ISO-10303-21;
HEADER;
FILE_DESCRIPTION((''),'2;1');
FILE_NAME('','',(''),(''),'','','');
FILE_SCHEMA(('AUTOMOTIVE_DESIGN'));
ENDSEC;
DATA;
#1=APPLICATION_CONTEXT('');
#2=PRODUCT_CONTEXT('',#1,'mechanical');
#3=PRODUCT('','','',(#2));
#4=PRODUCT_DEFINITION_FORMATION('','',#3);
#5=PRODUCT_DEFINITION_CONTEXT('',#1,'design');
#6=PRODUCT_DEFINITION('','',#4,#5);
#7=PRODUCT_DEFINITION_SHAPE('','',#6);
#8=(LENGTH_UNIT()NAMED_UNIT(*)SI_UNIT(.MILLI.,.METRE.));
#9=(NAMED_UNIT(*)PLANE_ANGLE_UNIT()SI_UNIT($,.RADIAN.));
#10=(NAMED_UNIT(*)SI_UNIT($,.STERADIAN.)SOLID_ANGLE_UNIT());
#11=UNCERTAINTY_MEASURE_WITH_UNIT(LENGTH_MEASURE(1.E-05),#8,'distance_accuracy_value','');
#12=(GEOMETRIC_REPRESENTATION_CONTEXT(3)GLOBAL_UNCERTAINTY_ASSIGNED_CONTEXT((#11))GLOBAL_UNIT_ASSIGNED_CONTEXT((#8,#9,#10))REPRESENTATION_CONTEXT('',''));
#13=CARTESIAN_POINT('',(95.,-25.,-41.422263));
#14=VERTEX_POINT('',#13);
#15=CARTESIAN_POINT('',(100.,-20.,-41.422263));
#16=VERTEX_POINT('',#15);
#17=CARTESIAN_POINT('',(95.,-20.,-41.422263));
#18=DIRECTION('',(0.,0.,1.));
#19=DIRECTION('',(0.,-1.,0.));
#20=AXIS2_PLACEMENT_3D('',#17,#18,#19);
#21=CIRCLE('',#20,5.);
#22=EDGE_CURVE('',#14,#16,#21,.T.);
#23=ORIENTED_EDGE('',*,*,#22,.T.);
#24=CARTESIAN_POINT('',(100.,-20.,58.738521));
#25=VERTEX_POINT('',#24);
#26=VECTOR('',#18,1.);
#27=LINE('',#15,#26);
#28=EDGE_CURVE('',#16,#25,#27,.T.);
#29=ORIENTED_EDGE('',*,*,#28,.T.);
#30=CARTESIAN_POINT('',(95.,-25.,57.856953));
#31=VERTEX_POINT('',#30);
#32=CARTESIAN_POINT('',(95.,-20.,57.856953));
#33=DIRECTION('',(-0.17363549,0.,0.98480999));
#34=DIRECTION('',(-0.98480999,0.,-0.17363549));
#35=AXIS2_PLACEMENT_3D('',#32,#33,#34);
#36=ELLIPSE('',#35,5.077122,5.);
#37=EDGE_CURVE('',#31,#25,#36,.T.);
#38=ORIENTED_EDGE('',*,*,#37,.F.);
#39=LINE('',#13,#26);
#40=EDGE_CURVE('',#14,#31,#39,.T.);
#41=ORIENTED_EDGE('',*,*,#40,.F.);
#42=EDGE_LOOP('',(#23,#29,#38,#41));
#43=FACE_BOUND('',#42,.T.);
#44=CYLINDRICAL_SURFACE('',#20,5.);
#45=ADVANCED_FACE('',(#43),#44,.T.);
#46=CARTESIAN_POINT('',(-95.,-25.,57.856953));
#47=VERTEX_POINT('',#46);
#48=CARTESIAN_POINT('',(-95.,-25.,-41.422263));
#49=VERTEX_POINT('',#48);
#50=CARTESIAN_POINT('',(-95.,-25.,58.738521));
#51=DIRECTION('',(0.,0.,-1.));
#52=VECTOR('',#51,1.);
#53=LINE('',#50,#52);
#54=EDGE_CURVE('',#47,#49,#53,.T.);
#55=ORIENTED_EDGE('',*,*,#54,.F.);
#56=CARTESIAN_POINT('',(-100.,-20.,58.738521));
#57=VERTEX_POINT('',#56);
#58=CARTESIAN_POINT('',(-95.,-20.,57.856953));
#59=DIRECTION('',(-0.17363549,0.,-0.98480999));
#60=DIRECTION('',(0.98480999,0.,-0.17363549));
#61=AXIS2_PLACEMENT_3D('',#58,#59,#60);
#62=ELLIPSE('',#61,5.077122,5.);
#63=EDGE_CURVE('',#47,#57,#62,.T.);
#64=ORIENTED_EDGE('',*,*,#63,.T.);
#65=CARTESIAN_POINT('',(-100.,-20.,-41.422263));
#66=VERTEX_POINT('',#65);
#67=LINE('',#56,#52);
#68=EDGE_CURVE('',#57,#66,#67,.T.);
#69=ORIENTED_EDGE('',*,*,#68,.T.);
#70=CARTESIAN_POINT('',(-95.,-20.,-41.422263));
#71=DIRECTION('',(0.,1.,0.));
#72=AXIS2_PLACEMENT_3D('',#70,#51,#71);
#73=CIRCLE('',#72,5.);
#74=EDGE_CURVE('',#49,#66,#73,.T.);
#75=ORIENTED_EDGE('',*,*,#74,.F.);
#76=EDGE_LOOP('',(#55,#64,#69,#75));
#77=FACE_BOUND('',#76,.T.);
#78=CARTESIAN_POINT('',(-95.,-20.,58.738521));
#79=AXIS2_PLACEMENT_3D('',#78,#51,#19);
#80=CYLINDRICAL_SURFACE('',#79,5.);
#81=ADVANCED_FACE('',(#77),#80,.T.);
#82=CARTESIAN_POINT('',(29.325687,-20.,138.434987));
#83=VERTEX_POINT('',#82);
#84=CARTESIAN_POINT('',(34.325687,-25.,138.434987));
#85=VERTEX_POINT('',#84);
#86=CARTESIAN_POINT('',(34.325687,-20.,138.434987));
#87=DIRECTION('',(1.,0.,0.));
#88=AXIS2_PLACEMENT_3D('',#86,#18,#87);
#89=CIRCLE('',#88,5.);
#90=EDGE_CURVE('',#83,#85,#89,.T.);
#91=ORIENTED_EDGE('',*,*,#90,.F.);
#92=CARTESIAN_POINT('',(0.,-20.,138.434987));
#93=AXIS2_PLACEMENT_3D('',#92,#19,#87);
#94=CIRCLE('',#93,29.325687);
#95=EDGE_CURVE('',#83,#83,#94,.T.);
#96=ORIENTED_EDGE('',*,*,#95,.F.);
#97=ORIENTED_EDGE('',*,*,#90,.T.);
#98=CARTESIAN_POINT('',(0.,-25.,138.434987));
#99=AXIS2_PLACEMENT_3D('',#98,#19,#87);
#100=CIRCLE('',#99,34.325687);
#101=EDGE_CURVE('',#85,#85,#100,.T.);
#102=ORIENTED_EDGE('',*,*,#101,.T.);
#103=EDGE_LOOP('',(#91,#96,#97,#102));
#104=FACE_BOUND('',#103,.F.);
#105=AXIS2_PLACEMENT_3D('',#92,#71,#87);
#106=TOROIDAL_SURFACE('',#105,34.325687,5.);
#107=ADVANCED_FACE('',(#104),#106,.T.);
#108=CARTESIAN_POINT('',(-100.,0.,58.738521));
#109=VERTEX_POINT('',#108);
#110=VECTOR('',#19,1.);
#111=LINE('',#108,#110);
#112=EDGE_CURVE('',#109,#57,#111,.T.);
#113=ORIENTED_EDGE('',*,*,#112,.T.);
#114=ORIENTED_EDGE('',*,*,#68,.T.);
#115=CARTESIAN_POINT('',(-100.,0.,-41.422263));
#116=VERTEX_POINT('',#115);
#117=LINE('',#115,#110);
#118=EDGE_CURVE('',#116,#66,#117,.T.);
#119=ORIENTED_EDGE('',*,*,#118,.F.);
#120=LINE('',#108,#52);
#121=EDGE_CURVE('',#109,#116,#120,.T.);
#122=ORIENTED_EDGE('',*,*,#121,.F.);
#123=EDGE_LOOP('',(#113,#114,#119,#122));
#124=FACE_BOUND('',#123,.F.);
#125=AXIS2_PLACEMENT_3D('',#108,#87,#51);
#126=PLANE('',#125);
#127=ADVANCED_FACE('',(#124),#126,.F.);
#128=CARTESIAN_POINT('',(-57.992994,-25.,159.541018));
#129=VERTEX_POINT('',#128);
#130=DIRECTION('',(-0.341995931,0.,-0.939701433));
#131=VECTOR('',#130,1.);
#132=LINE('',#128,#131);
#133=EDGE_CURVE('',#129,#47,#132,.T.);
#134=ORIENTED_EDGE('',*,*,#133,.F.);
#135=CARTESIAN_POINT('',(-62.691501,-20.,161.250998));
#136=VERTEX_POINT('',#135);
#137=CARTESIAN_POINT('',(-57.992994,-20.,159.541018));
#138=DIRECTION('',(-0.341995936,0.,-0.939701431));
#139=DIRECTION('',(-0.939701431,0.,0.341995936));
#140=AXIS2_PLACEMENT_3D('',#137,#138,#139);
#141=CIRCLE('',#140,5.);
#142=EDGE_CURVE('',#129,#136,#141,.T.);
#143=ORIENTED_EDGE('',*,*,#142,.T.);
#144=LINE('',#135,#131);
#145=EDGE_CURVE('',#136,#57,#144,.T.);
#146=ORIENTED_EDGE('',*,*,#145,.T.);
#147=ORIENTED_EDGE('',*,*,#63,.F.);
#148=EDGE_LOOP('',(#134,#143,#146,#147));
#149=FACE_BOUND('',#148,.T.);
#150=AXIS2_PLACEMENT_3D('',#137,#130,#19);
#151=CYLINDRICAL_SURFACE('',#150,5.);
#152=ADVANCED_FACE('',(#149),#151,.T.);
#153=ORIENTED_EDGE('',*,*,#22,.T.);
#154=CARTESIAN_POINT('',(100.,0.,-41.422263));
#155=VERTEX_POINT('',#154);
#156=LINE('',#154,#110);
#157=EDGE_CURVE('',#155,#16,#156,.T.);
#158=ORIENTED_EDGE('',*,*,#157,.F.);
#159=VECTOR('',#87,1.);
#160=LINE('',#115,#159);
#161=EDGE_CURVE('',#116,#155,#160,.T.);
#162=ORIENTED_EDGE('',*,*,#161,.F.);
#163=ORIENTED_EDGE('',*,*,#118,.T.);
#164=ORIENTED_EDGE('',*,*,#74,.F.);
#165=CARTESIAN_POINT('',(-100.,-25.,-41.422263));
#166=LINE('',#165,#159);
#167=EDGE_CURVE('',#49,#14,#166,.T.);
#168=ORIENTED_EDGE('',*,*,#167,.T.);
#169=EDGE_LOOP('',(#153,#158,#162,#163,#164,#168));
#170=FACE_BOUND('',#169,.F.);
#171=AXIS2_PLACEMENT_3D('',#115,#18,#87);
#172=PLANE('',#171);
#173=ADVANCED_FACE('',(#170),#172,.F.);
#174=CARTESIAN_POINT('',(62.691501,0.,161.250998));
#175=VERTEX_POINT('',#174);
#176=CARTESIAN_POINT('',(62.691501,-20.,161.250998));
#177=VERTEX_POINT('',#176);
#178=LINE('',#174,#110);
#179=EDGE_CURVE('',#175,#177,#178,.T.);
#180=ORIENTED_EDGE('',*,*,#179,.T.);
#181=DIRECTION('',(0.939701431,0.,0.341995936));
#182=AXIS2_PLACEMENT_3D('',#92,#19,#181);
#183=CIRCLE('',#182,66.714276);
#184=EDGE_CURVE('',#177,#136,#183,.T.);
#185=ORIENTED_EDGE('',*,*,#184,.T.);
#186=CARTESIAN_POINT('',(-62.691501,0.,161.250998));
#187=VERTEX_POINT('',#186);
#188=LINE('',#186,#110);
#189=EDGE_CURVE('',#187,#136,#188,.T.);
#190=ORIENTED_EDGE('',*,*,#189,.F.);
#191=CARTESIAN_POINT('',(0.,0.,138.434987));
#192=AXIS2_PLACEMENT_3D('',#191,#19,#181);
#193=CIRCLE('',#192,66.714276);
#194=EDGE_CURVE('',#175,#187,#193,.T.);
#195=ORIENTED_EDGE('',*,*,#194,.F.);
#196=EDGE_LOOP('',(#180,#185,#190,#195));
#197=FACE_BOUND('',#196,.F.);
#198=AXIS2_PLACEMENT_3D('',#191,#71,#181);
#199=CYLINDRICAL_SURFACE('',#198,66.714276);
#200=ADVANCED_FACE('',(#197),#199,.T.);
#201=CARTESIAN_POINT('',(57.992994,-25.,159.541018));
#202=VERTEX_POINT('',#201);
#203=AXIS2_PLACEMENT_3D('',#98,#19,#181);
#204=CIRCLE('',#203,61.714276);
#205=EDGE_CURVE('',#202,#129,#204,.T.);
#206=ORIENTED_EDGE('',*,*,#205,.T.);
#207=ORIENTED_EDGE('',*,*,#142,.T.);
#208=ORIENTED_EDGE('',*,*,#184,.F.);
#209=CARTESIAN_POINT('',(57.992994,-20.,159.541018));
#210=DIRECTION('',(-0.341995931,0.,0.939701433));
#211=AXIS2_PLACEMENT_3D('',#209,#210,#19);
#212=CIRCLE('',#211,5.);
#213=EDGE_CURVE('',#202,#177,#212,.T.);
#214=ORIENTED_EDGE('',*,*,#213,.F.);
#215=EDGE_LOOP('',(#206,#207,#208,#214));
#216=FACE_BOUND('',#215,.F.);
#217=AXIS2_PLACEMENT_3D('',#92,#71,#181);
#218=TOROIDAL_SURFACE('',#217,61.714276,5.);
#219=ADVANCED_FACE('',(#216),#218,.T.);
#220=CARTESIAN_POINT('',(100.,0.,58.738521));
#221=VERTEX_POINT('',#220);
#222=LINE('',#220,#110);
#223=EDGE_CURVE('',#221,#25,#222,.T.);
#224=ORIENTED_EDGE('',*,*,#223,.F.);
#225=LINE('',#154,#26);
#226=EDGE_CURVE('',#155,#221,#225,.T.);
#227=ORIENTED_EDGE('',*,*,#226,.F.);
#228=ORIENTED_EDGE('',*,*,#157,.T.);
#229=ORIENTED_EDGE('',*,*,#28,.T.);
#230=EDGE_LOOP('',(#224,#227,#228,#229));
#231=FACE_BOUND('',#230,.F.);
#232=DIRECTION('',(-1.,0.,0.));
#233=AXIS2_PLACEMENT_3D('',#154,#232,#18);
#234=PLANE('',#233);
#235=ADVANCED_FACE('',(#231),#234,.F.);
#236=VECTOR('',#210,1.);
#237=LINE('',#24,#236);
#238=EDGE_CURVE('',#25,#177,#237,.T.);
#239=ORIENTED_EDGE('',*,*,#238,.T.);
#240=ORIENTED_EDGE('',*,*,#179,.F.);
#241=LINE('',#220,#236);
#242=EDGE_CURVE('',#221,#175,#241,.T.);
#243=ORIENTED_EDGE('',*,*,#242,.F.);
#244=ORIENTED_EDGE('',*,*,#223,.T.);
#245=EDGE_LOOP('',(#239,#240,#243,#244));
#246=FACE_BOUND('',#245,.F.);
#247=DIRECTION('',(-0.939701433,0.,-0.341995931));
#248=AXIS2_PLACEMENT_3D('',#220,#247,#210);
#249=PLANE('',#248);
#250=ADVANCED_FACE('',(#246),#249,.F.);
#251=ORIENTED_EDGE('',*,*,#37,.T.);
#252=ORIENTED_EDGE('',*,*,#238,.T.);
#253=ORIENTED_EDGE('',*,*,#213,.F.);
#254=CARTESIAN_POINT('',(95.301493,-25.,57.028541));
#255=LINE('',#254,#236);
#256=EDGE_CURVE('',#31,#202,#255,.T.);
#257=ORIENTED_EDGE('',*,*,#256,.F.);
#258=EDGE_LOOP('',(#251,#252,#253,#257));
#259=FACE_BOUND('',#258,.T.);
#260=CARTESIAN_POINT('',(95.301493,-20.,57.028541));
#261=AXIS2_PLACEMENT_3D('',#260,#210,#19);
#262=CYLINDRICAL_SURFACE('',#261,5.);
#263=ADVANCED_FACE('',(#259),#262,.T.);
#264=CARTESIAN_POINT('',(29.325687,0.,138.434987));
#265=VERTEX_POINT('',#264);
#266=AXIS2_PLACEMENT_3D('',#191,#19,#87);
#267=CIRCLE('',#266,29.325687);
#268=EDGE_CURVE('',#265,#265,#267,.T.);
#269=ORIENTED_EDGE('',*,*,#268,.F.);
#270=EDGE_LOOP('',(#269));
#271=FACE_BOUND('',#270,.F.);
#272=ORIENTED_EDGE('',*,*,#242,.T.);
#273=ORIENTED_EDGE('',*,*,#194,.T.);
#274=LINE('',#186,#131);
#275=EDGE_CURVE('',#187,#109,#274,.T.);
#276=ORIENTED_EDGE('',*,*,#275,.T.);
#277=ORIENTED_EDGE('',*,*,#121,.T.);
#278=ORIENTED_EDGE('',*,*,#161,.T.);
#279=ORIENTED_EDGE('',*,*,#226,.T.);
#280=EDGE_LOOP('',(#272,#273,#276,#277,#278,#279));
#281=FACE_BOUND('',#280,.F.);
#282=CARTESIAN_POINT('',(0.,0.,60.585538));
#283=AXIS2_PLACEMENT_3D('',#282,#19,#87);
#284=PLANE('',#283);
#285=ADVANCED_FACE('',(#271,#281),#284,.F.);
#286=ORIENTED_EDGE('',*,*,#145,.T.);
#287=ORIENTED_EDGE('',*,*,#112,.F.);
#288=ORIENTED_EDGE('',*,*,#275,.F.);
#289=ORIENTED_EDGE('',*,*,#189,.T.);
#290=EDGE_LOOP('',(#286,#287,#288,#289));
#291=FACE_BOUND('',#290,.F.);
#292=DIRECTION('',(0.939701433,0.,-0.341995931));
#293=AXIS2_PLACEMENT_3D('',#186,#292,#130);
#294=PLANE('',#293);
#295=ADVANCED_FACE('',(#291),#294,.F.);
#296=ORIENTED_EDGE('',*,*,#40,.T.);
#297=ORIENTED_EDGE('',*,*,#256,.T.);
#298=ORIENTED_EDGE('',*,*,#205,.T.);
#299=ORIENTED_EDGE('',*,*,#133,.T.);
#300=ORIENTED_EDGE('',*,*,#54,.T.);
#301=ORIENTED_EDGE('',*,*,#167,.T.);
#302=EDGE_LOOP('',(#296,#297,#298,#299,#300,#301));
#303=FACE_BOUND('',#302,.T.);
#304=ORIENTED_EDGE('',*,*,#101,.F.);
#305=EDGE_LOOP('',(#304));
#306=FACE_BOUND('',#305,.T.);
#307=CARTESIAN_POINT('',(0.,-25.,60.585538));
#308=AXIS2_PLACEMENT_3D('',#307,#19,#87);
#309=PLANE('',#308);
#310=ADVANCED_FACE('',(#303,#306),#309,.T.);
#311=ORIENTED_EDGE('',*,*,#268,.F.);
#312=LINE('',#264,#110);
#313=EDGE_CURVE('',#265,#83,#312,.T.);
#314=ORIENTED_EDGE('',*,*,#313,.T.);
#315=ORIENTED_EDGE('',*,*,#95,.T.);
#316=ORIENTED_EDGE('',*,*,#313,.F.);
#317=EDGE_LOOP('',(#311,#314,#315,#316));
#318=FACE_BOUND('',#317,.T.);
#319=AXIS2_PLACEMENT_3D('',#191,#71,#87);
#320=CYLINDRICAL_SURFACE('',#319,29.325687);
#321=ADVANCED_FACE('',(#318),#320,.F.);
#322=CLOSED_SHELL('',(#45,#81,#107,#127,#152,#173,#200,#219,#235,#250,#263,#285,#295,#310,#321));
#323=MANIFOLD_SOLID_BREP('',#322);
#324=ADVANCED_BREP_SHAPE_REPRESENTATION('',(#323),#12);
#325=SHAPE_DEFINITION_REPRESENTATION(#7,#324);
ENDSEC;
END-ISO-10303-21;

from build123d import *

# Parameters (mm, degrees)
F0_R     = 29.325687
F1_DEPTH = 25
F2_R     = 5
F3_R     = 5


with BuildPart() as f1:
    # F0 (on Front) → F1 (new body)
    with BuildSketch(Plane.XZ):
        with BuildLine():
            Line((-100, 58.738521), (-100, -41.422263))
            Line((-100, -41.422263), (100, -41.422263))
            Line((100, -41.422263), (100, 58.738521))
            Line((100, 58.738521), (62.691501, 161.250998))
            ThreePointArc((62.691501, 161.250998), (0, 205.149263), (-62.691501, 161.250998))
            Line((-62.691501, 161.250998), (-100, 58.738521))
        make_face()
        with Locations((0, 138.434987)):
            Circle(F0_R, mode=Mode.SUBTRACT)
    extrude(amount=F1_DEPTH)

    # F2
    f2_edges = [f1.edges().sort_by_distance(p)[0] for p in [
        (-29.325687, -25, 138.434987),
    ]]
    fillet(f2_edges, radius=F2_R)

    # F3
    f3_edges = [f1.edges().sort_by_distance(p)[0] for p in [
        (-100, -25, 8.658129),
        (-81.34575, -25, 109.994759),
        (0, -25, 205.149263),
        (100, -25, 8.658129),
        (81.34575, -25, 109.994759),
    ]]
    fillet(f3_edges, radius=F3_R)


solid = f1.part
